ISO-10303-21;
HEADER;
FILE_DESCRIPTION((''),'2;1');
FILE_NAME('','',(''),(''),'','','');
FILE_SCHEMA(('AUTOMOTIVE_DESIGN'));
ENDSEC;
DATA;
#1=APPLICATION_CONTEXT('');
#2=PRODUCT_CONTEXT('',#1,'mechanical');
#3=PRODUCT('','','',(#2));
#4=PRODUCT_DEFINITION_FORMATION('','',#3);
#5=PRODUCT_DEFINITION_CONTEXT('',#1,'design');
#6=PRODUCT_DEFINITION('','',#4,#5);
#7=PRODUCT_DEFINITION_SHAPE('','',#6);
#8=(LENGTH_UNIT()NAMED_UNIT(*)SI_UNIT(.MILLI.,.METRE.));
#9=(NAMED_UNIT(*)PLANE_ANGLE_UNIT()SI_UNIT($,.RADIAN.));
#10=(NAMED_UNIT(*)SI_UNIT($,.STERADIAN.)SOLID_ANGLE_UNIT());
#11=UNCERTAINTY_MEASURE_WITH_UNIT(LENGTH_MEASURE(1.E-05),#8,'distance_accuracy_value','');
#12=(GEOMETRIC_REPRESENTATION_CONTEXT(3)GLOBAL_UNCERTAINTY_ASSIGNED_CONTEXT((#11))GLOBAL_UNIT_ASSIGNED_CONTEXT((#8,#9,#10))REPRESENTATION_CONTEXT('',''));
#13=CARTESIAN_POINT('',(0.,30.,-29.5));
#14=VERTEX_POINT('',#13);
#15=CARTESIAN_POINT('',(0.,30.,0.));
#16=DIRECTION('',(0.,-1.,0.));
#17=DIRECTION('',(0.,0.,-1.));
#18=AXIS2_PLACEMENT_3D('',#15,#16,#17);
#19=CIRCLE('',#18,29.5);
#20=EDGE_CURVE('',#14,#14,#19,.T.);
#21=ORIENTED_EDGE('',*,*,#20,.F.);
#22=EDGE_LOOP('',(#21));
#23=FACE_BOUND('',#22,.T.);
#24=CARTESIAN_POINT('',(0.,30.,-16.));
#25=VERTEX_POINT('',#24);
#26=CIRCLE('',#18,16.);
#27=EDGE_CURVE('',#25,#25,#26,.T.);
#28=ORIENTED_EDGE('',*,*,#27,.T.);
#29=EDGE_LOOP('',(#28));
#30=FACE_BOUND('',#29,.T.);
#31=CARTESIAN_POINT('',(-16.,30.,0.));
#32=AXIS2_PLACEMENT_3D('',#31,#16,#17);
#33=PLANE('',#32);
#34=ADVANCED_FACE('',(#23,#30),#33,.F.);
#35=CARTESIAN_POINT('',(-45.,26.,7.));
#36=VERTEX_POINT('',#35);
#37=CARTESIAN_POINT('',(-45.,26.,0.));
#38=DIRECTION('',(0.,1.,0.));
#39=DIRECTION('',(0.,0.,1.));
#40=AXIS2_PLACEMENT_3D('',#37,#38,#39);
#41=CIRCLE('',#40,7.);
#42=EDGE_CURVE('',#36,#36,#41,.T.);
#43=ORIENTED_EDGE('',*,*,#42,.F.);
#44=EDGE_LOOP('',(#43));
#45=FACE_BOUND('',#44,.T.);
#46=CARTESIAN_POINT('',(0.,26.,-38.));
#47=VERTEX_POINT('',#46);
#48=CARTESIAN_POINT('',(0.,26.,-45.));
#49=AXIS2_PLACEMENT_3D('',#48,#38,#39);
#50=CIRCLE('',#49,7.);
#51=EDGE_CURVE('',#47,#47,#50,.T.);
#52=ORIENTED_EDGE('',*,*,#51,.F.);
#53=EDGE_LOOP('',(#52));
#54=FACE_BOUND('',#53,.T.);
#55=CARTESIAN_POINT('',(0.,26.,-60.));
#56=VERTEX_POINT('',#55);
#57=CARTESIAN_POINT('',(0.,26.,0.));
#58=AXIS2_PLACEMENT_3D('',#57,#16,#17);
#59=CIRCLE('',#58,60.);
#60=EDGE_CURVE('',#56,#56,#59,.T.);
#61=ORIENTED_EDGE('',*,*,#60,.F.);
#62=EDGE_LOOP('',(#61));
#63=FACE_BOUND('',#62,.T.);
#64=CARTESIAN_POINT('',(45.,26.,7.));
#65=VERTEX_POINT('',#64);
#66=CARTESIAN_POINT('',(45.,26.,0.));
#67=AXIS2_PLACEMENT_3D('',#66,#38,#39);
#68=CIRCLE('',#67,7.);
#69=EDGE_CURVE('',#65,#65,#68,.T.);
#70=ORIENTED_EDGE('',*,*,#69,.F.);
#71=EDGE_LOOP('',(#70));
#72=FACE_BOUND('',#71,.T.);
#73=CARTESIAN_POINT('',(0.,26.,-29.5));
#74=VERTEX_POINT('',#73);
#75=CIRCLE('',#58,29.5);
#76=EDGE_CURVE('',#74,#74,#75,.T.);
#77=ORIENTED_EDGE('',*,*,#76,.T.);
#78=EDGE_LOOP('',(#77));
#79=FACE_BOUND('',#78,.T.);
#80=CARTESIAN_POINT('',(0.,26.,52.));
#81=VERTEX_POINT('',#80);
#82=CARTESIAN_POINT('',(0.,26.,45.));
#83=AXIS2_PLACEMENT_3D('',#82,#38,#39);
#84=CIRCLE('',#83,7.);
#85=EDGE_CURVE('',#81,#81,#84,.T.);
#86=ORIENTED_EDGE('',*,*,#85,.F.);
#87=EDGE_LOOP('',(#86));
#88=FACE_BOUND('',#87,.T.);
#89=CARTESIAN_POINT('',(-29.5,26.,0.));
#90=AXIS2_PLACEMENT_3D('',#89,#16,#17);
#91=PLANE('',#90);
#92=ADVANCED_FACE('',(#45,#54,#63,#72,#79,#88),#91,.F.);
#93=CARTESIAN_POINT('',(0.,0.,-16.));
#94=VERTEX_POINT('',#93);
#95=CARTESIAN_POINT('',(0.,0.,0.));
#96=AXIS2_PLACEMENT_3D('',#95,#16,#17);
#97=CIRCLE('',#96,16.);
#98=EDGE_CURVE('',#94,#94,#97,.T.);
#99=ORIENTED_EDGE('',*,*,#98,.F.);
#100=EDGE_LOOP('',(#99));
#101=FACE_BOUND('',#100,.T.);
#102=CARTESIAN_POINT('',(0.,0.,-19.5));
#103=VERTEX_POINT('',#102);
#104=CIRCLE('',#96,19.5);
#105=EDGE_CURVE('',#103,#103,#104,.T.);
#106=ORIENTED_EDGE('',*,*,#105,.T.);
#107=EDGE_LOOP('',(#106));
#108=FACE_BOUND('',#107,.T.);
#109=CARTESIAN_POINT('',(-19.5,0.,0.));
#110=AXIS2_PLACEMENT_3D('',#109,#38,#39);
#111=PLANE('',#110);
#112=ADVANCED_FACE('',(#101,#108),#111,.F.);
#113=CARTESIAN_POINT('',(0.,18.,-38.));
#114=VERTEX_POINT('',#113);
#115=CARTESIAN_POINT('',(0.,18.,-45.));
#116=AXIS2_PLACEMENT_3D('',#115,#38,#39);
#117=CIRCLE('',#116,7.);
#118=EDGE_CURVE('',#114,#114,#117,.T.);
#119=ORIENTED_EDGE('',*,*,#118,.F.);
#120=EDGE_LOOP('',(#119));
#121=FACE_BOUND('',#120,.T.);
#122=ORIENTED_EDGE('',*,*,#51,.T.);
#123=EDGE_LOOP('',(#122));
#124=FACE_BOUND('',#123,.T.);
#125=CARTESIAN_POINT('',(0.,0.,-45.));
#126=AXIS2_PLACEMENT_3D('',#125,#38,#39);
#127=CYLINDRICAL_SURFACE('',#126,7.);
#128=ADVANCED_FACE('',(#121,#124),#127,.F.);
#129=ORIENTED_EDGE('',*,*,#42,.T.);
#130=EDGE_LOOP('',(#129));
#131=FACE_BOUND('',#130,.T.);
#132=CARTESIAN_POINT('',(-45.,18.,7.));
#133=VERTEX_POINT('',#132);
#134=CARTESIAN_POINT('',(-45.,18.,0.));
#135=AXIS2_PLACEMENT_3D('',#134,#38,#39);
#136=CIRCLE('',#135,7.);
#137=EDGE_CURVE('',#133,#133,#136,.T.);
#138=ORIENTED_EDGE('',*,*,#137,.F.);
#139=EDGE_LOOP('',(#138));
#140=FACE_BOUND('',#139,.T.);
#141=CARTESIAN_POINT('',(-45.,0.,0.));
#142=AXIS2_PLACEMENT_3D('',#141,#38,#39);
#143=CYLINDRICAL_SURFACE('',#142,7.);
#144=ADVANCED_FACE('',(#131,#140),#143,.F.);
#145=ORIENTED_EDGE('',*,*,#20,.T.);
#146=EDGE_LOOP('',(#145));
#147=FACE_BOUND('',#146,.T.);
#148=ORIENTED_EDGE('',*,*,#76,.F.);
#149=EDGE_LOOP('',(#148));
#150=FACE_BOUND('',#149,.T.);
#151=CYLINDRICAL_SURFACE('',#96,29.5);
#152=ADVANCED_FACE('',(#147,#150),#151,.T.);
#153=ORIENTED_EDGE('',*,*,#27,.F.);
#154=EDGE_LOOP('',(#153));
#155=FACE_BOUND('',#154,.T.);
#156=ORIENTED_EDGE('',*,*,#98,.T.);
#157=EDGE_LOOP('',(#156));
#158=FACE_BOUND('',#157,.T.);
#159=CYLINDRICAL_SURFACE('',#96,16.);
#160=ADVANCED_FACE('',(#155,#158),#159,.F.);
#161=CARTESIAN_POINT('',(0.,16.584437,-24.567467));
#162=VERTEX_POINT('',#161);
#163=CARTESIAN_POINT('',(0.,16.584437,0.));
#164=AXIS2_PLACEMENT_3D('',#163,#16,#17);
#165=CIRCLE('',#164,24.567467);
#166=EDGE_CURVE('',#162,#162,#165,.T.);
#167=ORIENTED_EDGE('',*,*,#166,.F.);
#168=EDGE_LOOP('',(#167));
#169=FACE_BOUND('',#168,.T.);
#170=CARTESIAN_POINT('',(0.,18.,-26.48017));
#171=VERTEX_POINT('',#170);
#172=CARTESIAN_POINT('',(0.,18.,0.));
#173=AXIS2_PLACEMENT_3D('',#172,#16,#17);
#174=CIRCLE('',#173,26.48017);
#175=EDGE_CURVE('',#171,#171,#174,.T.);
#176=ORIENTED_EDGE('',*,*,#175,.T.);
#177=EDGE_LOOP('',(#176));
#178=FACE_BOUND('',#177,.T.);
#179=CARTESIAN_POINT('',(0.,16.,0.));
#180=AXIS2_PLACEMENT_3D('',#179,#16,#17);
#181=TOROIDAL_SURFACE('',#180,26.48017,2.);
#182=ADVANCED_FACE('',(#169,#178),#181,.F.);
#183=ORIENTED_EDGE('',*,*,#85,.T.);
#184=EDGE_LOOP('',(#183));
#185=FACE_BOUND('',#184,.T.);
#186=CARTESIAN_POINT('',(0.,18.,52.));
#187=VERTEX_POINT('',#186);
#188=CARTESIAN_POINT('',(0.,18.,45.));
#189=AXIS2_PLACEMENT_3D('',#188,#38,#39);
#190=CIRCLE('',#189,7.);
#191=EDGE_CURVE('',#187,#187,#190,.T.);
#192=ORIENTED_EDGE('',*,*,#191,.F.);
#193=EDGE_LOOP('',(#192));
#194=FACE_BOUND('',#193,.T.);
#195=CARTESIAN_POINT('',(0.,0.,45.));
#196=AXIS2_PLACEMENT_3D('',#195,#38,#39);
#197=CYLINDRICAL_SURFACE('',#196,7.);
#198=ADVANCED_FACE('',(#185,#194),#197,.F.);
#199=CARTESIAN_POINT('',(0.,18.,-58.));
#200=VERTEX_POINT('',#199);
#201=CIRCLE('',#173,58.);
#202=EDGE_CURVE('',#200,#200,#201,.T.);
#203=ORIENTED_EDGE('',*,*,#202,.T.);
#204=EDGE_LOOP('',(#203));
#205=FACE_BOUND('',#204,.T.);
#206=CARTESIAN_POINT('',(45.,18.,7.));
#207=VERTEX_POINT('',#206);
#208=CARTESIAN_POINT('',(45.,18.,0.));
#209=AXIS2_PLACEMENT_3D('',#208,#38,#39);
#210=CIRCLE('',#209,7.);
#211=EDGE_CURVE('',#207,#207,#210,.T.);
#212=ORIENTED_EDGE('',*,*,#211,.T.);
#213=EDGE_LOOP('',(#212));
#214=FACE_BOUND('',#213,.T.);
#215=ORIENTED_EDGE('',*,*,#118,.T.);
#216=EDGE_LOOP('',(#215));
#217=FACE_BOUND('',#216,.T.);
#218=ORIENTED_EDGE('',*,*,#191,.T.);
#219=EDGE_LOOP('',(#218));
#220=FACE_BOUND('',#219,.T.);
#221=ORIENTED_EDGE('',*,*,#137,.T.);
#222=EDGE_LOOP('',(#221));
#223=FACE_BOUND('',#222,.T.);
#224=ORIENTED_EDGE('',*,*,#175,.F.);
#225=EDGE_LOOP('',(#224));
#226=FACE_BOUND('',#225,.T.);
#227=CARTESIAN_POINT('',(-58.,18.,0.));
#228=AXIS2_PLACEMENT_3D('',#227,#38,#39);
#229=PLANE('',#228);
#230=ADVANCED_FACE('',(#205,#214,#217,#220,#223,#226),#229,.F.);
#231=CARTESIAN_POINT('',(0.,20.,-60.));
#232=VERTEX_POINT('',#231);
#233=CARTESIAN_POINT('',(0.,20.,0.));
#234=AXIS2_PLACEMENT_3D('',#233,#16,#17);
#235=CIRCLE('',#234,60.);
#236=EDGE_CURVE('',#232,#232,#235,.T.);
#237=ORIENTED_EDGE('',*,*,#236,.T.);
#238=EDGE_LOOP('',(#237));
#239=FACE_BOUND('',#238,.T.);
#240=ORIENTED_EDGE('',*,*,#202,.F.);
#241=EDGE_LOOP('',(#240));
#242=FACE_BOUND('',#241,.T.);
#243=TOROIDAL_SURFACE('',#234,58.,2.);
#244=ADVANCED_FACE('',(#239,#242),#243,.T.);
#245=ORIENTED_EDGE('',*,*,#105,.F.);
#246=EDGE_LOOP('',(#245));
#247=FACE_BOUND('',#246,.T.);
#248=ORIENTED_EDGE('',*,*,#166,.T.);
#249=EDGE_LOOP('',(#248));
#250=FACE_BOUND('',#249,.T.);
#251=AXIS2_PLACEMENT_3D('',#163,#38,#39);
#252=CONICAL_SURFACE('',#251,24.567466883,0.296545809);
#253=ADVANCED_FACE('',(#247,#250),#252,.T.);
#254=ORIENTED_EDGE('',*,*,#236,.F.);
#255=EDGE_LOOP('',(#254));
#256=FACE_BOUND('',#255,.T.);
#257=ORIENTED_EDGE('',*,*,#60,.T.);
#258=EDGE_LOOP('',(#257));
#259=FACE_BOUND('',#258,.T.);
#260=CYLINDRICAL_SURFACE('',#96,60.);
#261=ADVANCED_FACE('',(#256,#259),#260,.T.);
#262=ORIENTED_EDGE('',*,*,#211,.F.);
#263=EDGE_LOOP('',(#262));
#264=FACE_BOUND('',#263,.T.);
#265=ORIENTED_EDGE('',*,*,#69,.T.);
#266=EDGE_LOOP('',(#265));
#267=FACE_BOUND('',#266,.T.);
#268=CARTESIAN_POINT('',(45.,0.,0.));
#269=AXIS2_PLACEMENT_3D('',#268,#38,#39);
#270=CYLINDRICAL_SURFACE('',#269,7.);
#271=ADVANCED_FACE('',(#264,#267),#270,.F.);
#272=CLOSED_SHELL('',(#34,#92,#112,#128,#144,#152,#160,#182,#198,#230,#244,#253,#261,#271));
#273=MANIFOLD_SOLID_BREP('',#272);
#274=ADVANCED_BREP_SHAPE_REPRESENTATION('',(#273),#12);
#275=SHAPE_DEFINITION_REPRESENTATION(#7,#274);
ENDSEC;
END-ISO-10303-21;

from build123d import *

# Parameters (mm, degrees)
SKETCH_2_R          = 7
CUT_EXTRUDE_1_DEPTH = 89.746830997


with BuildPart() as part:
    # Эскиз1 → Повернуть1 (revolve)
    with BuildSketch(Plane.XY, mode=Mode.PRIVATE) as revolve_1_sk:
        with BuildLine():
            Line((-16, 0), (-16, 30))
            Line((-16, 30), (-29.5, 30))
            Line((-29.5, 30), (-29.5, 26))
            Line((-29.5, 26), (-60, 26))
            Line((-60, 26), (-60, 20))
            ThreePointArc((-60, 20), (-59.414213562, 18.585786438), (-58, 18))
            Line((-58, 18), (-26.480170025, 18))
            ThreePointArc((-26.480170025, 18), (-25.290395707, 17.607618447), (-24.567466883, 16.584437071))
            Line((-24.567466883, 16.584437071), (-19.5, 0))
            Line((-19.5, 0), (-16, 0))
        make_face()
    revolve(revolve_1_sk.sketch.rotate(Axis((0, 0, 0), (0, 1, 0)), 270), axis=Axis((0, 0, 0), (0, 1, 0)))

    # Эскиз2 → Вырез-Вытянуть1 (cut, through all)
    with BuildSketch(Plane(origin=(0, 26, 0), x_dir=(1, 0, 0), z_dir=(0, 1, 0))):
        with Locations(Location((-45, 0, 0), (0, 0, 270))):
            Circle(SKETCH_2_R)
        with Locations(Location((0, 45, 0), (0, 0, 270))):
            Circle(SKETCH_2_R)
        with Locations(Location((45, 0, 0), (0, 0, 270))):
            Circle(SKETCH_2_R)
        with Locations(Location((0, -45, 0), (0, 0, 270))):
            Circle(SKETCH_2_R)
    extrude(amount=-CUT_EXTRUDE_1_DEPTH, mode=Mode.SUBTRACT)


solid = part.part
